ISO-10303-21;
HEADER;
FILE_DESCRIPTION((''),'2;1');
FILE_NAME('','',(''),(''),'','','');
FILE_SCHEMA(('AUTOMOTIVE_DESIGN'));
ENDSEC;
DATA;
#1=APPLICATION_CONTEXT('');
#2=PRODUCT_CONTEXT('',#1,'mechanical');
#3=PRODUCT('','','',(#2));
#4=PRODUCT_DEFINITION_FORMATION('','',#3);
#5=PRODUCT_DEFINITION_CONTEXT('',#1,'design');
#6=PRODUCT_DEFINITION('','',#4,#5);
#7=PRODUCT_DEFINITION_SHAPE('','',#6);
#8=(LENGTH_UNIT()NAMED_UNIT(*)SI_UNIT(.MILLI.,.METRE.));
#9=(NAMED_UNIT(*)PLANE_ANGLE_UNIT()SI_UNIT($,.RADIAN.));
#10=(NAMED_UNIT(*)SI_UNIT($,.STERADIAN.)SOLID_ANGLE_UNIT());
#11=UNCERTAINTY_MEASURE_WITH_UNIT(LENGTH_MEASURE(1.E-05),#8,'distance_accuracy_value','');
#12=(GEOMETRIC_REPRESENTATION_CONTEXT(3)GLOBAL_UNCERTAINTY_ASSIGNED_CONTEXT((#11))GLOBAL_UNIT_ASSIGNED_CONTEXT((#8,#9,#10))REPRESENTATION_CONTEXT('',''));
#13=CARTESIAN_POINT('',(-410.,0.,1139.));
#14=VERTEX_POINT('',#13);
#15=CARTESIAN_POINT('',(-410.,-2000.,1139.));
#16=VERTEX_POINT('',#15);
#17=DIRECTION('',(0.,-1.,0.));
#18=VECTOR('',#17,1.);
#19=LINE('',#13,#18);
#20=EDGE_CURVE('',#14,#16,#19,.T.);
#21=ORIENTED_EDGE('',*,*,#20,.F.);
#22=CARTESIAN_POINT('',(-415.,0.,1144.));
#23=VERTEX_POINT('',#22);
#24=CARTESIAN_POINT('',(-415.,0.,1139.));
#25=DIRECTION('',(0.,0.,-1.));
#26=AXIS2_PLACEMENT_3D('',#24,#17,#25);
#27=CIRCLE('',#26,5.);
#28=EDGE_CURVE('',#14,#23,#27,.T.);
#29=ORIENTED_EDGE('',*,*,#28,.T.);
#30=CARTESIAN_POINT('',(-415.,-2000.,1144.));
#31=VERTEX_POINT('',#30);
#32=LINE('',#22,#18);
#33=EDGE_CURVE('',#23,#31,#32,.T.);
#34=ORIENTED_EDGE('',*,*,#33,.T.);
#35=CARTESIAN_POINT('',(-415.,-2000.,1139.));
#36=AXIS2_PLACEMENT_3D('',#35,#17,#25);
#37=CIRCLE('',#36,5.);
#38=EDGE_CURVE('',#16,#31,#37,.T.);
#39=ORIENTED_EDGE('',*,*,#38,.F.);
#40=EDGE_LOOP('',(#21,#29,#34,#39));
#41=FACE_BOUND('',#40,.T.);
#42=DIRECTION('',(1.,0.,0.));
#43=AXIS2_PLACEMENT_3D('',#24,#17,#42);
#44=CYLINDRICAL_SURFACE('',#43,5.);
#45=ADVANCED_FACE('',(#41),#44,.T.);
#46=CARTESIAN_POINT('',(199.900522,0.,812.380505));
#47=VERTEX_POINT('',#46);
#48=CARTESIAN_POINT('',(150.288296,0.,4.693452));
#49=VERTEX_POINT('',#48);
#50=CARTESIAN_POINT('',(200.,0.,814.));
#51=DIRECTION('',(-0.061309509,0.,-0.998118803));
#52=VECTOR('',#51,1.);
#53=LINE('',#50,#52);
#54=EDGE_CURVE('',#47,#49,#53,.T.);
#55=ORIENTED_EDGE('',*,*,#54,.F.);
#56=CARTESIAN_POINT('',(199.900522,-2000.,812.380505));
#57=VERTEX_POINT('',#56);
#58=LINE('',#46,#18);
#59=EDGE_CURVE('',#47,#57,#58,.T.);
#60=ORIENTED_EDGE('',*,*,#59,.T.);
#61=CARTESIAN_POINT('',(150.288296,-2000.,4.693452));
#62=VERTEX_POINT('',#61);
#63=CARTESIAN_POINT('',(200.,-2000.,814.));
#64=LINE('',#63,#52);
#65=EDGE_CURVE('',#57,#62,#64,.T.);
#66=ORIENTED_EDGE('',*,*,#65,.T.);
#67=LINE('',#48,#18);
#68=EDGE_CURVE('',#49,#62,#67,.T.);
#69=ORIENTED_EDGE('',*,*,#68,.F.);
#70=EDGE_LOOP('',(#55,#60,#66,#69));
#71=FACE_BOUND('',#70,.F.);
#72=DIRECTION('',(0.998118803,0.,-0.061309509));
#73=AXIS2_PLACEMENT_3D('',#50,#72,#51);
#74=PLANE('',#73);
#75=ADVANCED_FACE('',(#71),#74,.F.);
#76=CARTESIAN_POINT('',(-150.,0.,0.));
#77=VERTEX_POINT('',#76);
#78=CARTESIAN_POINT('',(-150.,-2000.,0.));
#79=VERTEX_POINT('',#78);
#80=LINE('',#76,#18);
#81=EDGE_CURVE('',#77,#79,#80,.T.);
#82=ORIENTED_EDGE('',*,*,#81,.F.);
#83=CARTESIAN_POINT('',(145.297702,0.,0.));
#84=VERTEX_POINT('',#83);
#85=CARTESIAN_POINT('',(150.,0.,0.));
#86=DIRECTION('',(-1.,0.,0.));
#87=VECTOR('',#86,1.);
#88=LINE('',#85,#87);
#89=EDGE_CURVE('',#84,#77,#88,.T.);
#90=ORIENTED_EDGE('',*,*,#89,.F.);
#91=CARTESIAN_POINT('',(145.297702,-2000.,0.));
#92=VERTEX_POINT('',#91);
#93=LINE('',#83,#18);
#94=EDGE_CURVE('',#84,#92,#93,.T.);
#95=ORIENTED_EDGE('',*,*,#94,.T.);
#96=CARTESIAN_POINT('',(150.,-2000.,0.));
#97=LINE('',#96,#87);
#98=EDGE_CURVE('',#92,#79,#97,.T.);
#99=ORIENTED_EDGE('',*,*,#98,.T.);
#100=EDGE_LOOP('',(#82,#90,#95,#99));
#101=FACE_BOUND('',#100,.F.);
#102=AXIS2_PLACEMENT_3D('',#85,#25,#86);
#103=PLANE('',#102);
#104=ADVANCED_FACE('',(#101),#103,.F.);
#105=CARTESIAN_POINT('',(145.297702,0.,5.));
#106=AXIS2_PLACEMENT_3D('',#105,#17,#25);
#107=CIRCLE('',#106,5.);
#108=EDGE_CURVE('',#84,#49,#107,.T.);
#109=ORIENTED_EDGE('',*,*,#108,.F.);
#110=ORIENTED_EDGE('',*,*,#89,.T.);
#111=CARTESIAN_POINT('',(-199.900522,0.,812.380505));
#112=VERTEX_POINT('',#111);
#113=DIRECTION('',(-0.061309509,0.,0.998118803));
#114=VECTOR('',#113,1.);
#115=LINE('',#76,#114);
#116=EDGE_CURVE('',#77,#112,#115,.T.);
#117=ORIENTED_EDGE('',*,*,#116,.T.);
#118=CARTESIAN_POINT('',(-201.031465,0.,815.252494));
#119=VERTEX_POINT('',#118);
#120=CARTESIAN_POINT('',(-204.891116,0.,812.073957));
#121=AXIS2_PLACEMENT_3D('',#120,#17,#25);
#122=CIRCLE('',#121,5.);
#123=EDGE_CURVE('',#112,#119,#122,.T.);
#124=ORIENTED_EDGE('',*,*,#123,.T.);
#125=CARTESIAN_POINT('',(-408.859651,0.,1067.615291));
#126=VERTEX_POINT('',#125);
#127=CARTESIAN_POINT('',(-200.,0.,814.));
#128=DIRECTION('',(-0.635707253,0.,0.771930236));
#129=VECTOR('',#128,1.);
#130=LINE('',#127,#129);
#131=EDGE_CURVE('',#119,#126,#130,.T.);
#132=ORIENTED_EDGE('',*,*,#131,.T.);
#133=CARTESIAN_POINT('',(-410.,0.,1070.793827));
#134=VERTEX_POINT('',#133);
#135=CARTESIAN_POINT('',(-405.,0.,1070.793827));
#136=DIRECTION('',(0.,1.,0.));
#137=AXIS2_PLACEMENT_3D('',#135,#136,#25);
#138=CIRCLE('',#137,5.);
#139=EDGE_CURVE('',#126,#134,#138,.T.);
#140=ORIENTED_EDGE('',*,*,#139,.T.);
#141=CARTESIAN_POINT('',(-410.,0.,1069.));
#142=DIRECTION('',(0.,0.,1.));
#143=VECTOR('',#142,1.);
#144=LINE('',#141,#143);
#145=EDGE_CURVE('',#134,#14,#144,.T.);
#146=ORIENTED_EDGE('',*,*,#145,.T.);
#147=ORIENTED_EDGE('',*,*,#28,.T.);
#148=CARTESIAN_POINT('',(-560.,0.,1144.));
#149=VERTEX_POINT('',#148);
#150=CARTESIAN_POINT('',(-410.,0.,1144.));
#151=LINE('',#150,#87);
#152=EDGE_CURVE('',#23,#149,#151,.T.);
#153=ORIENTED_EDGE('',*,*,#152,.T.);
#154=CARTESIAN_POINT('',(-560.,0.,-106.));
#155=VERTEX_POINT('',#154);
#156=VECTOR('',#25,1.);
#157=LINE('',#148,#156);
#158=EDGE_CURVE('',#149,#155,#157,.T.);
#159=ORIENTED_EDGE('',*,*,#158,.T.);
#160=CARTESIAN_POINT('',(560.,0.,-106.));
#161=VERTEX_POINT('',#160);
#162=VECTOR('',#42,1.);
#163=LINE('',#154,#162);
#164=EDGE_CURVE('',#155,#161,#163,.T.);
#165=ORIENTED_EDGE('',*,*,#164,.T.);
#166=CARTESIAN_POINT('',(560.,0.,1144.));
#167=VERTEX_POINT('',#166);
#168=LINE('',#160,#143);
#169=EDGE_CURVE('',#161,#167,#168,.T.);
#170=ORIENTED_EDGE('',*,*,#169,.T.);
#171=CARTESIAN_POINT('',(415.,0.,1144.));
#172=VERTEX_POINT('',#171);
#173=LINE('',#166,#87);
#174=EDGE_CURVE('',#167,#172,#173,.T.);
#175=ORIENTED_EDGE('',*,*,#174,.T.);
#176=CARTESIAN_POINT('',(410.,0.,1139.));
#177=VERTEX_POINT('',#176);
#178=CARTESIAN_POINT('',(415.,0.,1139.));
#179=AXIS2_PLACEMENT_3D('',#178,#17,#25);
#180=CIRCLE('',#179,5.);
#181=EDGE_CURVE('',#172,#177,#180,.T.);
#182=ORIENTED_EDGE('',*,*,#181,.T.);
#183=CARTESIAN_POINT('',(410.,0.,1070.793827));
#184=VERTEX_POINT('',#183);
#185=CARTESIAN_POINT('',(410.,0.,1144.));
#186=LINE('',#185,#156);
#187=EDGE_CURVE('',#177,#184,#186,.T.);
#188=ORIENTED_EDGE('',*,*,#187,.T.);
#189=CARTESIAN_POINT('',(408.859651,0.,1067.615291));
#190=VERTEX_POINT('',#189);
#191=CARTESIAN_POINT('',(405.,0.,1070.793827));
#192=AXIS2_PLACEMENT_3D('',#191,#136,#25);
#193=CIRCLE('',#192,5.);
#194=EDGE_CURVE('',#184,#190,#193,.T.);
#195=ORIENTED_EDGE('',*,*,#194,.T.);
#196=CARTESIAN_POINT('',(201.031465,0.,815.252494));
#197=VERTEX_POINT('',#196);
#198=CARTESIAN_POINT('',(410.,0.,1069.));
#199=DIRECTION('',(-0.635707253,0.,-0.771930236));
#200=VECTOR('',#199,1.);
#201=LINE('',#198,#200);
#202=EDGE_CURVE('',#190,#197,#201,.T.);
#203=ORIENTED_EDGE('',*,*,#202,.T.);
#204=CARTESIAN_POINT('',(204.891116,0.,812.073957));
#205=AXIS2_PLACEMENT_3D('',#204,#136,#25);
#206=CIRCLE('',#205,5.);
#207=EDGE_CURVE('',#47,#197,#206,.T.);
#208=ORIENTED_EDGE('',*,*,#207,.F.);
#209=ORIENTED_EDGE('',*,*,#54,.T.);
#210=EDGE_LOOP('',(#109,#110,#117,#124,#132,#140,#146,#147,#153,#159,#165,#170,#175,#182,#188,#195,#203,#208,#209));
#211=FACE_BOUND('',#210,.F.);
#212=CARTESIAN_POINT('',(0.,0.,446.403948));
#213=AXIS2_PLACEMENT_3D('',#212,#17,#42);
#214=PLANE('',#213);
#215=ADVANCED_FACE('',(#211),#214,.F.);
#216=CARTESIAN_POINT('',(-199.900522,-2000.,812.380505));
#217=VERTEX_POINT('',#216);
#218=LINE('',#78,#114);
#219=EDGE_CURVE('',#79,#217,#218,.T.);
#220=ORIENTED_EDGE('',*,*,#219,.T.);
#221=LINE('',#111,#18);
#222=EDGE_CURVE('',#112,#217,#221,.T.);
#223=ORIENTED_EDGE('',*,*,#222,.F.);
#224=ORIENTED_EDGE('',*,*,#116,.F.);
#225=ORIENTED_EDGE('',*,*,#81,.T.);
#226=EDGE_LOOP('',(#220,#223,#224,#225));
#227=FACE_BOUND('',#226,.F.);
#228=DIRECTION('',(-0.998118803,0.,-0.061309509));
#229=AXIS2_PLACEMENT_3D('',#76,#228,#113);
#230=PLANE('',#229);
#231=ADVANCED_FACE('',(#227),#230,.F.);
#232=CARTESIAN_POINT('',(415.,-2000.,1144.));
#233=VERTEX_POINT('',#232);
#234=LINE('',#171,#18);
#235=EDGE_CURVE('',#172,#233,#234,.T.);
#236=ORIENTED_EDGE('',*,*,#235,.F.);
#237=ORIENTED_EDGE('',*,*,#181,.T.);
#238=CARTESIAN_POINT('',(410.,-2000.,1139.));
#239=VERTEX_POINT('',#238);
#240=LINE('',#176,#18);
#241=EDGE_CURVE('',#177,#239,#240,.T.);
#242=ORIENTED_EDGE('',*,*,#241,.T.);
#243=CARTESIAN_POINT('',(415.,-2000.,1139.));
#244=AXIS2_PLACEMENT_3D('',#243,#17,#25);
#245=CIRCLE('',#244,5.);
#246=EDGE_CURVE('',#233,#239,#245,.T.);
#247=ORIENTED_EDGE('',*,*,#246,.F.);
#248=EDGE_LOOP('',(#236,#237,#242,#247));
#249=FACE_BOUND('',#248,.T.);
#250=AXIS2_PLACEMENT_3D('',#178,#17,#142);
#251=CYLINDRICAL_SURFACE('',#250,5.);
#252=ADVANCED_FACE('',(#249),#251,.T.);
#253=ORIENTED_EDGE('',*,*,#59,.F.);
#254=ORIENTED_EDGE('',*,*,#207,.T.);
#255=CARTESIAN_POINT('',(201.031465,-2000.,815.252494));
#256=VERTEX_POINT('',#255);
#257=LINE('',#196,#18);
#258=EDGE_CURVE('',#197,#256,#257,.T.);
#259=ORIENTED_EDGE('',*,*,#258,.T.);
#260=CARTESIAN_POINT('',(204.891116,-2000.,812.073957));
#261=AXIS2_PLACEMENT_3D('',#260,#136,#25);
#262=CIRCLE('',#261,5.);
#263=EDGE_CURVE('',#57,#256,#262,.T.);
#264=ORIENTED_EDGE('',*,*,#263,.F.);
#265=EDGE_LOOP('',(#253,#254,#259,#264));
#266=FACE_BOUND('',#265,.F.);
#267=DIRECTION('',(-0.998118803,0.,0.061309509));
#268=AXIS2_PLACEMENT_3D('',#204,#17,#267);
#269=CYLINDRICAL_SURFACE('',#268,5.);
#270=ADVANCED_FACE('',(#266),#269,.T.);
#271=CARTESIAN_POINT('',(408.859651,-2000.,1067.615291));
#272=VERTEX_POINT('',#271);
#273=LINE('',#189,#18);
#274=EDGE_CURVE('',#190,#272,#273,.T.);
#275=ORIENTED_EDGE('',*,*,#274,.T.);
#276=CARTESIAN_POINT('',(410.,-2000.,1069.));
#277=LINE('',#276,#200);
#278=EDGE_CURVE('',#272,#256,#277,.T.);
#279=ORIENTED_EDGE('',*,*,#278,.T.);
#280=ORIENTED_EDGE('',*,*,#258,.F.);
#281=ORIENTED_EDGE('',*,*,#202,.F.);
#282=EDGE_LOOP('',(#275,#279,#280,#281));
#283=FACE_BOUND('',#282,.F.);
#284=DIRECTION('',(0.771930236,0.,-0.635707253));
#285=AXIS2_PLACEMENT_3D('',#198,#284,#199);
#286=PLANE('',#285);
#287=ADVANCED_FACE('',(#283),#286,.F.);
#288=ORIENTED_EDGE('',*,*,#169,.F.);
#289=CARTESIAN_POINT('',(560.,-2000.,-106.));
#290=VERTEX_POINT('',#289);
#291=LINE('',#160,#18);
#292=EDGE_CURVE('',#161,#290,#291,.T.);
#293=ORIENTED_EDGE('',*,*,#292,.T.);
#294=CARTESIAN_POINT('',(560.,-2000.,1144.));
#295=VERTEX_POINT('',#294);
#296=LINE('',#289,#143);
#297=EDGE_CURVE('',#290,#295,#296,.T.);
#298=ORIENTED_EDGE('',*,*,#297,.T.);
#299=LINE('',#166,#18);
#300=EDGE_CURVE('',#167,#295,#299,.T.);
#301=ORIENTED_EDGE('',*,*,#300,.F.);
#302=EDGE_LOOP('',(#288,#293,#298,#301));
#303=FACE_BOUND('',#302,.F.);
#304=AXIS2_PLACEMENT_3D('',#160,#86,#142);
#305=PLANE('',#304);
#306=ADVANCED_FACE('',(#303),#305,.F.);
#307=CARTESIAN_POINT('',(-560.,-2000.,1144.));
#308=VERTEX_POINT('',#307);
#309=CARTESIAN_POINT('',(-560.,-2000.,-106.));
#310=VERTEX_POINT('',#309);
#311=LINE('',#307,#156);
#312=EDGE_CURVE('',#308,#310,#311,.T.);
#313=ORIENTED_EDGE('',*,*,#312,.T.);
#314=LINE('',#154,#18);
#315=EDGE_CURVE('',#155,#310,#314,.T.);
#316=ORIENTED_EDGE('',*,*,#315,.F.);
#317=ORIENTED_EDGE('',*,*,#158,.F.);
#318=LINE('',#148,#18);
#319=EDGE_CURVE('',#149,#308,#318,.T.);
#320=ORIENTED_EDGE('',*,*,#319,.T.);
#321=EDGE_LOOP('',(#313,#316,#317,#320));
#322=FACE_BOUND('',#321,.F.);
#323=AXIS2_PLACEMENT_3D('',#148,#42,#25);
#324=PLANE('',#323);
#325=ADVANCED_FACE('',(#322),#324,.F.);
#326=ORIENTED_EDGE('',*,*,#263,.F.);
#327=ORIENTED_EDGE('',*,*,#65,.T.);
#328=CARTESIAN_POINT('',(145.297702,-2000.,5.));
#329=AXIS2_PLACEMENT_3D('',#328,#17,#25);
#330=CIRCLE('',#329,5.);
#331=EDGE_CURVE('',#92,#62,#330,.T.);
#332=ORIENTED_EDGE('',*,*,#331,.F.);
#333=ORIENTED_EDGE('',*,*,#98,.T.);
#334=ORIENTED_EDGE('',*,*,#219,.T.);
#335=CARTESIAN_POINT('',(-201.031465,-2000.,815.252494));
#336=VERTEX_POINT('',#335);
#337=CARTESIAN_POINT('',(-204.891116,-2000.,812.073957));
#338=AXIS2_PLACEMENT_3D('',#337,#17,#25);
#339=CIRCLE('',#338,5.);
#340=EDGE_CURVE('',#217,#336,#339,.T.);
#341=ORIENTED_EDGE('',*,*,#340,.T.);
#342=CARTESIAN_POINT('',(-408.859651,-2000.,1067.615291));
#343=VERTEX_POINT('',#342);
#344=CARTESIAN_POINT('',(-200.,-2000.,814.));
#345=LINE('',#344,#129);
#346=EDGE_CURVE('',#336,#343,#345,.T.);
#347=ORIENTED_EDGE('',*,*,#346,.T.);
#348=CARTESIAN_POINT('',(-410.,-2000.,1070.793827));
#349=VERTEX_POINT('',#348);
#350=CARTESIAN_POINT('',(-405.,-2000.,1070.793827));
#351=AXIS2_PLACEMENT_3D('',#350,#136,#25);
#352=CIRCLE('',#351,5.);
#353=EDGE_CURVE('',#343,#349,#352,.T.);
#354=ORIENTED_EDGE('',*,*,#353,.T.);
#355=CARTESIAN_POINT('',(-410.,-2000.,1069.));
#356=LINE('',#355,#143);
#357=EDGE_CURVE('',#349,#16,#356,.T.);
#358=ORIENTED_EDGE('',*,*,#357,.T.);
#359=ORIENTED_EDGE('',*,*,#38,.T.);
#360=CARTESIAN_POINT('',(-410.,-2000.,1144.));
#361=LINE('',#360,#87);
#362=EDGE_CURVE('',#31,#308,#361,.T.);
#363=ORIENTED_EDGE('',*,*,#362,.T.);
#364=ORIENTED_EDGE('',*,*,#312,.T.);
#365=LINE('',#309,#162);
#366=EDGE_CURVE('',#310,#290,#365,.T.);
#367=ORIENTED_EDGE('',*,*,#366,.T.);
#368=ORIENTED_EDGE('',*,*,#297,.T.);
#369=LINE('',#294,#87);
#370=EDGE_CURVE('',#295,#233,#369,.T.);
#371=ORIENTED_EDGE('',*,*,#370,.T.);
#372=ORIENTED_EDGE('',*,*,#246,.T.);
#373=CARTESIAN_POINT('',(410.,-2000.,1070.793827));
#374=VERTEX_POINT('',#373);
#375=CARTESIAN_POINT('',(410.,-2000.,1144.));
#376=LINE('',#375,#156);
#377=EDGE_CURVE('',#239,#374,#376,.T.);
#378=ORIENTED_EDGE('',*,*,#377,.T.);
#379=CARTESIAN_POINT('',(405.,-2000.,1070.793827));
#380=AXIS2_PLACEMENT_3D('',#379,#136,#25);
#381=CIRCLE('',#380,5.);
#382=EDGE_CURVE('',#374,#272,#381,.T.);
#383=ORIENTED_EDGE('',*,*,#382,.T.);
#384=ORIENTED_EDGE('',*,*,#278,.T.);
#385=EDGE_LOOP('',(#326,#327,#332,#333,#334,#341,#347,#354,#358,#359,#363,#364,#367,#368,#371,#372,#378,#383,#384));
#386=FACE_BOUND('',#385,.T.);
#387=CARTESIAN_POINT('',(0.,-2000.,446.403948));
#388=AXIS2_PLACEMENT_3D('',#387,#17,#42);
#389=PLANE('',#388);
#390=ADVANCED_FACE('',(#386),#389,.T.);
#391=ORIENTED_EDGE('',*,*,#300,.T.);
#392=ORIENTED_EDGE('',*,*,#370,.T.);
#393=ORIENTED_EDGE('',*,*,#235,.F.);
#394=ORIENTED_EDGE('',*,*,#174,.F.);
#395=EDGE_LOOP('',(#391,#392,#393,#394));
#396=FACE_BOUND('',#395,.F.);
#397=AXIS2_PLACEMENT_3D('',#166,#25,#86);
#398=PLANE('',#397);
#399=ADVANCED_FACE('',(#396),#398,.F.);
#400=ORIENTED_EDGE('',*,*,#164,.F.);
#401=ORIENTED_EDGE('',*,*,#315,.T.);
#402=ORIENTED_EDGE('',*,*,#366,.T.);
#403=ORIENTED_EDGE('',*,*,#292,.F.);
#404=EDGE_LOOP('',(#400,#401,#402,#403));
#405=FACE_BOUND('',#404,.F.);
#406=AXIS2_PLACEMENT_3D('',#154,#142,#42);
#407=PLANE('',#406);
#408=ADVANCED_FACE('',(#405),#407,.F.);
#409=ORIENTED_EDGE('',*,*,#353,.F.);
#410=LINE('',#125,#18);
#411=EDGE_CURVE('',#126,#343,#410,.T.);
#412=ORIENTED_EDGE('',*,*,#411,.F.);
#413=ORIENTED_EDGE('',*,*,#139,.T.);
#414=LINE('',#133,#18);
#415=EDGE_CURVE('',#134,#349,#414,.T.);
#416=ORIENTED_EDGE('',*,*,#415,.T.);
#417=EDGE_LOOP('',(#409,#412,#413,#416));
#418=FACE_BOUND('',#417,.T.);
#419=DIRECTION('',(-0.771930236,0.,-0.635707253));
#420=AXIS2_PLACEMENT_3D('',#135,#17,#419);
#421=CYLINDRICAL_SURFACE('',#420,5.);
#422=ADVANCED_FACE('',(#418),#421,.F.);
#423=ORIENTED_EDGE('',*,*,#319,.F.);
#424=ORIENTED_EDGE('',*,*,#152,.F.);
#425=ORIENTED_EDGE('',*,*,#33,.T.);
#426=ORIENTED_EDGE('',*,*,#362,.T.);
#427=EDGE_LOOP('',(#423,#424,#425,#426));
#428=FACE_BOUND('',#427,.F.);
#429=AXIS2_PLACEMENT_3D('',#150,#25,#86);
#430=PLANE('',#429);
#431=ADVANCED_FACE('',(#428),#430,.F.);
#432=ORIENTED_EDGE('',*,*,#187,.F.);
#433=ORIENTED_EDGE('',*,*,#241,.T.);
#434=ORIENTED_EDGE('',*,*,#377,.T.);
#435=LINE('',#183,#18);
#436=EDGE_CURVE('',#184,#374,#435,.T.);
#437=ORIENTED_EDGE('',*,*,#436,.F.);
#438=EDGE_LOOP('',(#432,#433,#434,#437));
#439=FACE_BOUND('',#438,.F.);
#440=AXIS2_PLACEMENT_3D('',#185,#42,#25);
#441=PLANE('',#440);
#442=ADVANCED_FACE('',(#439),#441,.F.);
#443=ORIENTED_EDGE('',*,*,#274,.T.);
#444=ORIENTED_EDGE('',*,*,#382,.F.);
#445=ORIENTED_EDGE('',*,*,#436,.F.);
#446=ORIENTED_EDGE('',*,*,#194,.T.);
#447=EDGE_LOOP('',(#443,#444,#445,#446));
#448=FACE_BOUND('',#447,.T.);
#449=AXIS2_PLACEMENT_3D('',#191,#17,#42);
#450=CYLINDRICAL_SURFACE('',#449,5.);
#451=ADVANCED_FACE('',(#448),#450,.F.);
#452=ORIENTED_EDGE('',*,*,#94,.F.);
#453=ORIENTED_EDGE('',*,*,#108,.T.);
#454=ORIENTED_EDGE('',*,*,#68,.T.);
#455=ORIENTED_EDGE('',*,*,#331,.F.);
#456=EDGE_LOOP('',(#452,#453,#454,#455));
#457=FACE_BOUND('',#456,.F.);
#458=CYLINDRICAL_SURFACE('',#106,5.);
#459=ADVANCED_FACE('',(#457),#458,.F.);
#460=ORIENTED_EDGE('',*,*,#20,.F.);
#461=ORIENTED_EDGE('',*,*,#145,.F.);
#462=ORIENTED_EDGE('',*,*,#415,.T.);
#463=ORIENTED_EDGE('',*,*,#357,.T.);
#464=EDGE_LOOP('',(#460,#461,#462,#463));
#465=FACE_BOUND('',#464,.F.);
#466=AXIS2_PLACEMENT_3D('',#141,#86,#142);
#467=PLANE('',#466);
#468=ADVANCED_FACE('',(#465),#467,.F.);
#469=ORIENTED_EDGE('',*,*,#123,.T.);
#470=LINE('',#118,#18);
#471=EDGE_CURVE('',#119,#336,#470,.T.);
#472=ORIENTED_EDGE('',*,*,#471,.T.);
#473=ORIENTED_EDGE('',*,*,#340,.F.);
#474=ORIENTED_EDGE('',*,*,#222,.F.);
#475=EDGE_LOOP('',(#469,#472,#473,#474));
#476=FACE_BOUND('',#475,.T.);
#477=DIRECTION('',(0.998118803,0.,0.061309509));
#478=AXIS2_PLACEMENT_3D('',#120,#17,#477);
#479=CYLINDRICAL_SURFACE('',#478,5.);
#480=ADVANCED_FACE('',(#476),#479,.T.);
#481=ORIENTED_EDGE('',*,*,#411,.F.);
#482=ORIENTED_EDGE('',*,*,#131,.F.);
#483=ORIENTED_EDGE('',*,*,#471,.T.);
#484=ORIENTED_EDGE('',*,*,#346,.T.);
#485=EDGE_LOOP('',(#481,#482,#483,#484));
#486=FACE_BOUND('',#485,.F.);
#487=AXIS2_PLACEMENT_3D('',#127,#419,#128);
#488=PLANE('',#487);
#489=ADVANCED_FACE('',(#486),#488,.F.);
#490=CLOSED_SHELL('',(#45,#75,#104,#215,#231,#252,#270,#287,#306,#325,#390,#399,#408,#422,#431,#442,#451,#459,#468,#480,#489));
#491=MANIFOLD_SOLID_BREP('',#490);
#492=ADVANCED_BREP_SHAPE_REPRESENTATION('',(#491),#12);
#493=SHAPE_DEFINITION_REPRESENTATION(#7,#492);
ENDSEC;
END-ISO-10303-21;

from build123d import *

# Parameters (mm, degrees)
F1_DEPTH = 2000
F2_R     = 5
F3_R     = 5
F4_R     = 5
F5_R     = 5


with BuildPart() as f1:
    # F0 (on Front) → F1 (new body)
    with BuildSketch(Plane.XZ):
        Polygon((150, 0), (0, 0), (-150, 0), (-200, 814), (-410, 1069), (-410, 1144), (-560, 1144), (-560, -106), (0, -106), (560, -106), (560, 1144), (410, 1144), (410, 1069), (200, 814), align=None)
    extrude(amount=F1_DEPTH)

    # F2
    f2_edges = [f1.edges().sort_by_distance(p)[0] for p in [
        (-200, -1000, 814),
    ]]
    fillet(f2_edges, radius=F2_R)

    # F3
    f3_edges = [f1.edges().sort_by_distance(p)[0] for p in [
        (-410, -1000, 1069),
    ]]
    fillet(f3_edges, radius=F3_R)

    # F4
    f4_edges = [f1.edges().sort_by_distance(p)[0] for p in [
        (-410, -1000, 1144),
    ]]
    fillet(f4_edges, radius=F4_R)

    # F5
    f5_edges = [f1.edges().sort_by_distance(p)[0] for p in [
        (410, -1000, 1144),
        (200, -1000, 814),
        (150, -1000, 0),
        (410, -1000, 1069),
    ]]
    fillet(f5_edges, radius=F5_R)


solid = f1.part
